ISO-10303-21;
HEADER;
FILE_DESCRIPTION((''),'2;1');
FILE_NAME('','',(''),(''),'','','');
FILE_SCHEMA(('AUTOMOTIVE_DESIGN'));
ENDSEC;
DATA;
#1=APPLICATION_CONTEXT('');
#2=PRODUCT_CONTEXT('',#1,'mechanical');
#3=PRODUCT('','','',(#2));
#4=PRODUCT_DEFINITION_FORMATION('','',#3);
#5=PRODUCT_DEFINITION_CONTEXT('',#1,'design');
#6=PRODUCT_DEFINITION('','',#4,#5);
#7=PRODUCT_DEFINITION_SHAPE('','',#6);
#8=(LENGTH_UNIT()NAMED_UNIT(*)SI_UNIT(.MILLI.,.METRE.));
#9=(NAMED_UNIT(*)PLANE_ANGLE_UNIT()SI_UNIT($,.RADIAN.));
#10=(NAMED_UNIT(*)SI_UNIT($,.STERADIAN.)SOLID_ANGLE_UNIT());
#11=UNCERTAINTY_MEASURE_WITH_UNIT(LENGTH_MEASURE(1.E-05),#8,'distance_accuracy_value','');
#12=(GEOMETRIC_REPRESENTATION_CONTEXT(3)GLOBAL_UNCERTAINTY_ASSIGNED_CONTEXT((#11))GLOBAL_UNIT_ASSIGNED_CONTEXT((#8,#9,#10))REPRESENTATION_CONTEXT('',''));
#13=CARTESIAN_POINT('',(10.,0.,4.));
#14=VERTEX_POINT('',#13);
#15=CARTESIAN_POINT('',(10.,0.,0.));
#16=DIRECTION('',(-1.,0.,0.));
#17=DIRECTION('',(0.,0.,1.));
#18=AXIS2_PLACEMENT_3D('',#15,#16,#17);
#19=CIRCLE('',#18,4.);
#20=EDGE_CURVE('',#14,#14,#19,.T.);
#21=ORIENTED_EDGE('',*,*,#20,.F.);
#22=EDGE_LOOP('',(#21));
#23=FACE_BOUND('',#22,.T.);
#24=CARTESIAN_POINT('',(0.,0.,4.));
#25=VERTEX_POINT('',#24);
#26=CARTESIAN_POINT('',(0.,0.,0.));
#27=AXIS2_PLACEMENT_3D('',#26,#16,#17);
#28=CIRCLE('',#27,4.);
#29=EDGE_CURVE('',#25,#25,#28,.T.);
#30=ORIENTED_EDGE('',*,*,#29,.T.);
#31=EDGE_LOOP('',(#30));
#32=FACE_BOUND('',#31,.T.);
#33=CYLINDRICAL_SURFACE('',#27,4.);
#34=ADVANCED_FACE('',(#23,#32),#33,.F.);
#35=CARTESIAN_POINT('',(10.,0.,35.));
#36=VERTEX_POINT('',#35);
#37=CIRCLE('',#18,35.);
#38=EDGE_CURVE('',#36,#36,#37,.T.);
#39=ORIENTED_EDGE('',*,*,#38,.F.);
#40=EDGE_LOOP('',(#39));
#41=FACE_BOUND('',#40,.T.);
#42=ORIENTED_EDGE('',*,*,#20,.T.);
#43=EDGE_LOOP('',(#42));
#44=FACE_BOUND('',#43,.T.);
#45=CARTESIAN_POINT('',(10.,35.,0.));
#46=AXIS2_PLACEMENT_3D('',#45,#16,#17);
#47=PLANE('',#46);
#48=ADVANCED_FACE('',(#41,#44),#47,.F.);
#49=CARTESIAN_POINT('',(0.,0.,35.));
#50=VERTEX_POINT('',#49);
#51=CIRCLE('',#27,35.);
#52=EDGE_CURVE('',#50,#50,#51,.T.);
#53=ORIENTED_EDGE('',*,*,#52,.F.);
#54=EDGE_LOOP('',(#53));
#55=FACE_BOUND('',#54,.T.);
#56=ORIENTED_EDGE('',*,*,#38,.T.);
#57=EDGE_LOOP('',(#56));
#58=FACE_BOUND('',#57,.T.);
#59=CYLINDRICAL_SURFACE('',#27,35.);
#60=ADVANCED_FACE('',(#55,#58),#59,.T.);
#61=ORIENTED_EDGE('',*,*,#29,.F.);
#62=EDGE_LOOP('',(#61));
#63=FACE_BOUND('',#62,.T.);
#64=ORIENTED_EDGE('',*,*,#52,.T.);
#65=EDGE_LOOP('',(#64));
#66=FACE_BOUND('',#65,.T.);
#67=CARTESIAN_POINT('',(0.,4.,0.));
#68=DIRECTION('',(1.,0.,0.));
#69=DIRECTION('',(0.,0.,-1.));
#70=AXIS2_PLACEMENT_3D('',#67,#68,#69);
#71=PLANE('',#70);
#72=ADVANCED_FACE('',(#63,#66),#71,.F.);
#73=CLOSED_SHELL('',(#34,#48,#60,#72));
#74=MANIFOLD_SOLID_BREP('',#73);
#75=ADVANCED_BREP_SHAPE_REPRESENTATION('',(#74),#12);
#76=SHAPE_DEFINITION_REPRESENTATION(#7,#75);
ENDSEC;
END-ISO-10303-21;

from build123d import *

# Parameters (mm, degrees)
SKETCH1_W = 10
SKETCH1_H = 31


with BuildPart() as part:
    # Sketch1 → Revolve1 (revolve)
    with BuildSketch(Plane.XY, mode=Mode.PRIVATE) as revolve1_sk:
        with Locations((5, 19.5)):
            Rectangle(SKETCH1_W, SKETCH1_H)
    revolve(revolve1_sk.sketch.rotate(Axis((0, 0, 0), (1, 0, 0)), 90), axis=Axis((0, 0, 0), (1, 0, 0)))


solid = part.part
